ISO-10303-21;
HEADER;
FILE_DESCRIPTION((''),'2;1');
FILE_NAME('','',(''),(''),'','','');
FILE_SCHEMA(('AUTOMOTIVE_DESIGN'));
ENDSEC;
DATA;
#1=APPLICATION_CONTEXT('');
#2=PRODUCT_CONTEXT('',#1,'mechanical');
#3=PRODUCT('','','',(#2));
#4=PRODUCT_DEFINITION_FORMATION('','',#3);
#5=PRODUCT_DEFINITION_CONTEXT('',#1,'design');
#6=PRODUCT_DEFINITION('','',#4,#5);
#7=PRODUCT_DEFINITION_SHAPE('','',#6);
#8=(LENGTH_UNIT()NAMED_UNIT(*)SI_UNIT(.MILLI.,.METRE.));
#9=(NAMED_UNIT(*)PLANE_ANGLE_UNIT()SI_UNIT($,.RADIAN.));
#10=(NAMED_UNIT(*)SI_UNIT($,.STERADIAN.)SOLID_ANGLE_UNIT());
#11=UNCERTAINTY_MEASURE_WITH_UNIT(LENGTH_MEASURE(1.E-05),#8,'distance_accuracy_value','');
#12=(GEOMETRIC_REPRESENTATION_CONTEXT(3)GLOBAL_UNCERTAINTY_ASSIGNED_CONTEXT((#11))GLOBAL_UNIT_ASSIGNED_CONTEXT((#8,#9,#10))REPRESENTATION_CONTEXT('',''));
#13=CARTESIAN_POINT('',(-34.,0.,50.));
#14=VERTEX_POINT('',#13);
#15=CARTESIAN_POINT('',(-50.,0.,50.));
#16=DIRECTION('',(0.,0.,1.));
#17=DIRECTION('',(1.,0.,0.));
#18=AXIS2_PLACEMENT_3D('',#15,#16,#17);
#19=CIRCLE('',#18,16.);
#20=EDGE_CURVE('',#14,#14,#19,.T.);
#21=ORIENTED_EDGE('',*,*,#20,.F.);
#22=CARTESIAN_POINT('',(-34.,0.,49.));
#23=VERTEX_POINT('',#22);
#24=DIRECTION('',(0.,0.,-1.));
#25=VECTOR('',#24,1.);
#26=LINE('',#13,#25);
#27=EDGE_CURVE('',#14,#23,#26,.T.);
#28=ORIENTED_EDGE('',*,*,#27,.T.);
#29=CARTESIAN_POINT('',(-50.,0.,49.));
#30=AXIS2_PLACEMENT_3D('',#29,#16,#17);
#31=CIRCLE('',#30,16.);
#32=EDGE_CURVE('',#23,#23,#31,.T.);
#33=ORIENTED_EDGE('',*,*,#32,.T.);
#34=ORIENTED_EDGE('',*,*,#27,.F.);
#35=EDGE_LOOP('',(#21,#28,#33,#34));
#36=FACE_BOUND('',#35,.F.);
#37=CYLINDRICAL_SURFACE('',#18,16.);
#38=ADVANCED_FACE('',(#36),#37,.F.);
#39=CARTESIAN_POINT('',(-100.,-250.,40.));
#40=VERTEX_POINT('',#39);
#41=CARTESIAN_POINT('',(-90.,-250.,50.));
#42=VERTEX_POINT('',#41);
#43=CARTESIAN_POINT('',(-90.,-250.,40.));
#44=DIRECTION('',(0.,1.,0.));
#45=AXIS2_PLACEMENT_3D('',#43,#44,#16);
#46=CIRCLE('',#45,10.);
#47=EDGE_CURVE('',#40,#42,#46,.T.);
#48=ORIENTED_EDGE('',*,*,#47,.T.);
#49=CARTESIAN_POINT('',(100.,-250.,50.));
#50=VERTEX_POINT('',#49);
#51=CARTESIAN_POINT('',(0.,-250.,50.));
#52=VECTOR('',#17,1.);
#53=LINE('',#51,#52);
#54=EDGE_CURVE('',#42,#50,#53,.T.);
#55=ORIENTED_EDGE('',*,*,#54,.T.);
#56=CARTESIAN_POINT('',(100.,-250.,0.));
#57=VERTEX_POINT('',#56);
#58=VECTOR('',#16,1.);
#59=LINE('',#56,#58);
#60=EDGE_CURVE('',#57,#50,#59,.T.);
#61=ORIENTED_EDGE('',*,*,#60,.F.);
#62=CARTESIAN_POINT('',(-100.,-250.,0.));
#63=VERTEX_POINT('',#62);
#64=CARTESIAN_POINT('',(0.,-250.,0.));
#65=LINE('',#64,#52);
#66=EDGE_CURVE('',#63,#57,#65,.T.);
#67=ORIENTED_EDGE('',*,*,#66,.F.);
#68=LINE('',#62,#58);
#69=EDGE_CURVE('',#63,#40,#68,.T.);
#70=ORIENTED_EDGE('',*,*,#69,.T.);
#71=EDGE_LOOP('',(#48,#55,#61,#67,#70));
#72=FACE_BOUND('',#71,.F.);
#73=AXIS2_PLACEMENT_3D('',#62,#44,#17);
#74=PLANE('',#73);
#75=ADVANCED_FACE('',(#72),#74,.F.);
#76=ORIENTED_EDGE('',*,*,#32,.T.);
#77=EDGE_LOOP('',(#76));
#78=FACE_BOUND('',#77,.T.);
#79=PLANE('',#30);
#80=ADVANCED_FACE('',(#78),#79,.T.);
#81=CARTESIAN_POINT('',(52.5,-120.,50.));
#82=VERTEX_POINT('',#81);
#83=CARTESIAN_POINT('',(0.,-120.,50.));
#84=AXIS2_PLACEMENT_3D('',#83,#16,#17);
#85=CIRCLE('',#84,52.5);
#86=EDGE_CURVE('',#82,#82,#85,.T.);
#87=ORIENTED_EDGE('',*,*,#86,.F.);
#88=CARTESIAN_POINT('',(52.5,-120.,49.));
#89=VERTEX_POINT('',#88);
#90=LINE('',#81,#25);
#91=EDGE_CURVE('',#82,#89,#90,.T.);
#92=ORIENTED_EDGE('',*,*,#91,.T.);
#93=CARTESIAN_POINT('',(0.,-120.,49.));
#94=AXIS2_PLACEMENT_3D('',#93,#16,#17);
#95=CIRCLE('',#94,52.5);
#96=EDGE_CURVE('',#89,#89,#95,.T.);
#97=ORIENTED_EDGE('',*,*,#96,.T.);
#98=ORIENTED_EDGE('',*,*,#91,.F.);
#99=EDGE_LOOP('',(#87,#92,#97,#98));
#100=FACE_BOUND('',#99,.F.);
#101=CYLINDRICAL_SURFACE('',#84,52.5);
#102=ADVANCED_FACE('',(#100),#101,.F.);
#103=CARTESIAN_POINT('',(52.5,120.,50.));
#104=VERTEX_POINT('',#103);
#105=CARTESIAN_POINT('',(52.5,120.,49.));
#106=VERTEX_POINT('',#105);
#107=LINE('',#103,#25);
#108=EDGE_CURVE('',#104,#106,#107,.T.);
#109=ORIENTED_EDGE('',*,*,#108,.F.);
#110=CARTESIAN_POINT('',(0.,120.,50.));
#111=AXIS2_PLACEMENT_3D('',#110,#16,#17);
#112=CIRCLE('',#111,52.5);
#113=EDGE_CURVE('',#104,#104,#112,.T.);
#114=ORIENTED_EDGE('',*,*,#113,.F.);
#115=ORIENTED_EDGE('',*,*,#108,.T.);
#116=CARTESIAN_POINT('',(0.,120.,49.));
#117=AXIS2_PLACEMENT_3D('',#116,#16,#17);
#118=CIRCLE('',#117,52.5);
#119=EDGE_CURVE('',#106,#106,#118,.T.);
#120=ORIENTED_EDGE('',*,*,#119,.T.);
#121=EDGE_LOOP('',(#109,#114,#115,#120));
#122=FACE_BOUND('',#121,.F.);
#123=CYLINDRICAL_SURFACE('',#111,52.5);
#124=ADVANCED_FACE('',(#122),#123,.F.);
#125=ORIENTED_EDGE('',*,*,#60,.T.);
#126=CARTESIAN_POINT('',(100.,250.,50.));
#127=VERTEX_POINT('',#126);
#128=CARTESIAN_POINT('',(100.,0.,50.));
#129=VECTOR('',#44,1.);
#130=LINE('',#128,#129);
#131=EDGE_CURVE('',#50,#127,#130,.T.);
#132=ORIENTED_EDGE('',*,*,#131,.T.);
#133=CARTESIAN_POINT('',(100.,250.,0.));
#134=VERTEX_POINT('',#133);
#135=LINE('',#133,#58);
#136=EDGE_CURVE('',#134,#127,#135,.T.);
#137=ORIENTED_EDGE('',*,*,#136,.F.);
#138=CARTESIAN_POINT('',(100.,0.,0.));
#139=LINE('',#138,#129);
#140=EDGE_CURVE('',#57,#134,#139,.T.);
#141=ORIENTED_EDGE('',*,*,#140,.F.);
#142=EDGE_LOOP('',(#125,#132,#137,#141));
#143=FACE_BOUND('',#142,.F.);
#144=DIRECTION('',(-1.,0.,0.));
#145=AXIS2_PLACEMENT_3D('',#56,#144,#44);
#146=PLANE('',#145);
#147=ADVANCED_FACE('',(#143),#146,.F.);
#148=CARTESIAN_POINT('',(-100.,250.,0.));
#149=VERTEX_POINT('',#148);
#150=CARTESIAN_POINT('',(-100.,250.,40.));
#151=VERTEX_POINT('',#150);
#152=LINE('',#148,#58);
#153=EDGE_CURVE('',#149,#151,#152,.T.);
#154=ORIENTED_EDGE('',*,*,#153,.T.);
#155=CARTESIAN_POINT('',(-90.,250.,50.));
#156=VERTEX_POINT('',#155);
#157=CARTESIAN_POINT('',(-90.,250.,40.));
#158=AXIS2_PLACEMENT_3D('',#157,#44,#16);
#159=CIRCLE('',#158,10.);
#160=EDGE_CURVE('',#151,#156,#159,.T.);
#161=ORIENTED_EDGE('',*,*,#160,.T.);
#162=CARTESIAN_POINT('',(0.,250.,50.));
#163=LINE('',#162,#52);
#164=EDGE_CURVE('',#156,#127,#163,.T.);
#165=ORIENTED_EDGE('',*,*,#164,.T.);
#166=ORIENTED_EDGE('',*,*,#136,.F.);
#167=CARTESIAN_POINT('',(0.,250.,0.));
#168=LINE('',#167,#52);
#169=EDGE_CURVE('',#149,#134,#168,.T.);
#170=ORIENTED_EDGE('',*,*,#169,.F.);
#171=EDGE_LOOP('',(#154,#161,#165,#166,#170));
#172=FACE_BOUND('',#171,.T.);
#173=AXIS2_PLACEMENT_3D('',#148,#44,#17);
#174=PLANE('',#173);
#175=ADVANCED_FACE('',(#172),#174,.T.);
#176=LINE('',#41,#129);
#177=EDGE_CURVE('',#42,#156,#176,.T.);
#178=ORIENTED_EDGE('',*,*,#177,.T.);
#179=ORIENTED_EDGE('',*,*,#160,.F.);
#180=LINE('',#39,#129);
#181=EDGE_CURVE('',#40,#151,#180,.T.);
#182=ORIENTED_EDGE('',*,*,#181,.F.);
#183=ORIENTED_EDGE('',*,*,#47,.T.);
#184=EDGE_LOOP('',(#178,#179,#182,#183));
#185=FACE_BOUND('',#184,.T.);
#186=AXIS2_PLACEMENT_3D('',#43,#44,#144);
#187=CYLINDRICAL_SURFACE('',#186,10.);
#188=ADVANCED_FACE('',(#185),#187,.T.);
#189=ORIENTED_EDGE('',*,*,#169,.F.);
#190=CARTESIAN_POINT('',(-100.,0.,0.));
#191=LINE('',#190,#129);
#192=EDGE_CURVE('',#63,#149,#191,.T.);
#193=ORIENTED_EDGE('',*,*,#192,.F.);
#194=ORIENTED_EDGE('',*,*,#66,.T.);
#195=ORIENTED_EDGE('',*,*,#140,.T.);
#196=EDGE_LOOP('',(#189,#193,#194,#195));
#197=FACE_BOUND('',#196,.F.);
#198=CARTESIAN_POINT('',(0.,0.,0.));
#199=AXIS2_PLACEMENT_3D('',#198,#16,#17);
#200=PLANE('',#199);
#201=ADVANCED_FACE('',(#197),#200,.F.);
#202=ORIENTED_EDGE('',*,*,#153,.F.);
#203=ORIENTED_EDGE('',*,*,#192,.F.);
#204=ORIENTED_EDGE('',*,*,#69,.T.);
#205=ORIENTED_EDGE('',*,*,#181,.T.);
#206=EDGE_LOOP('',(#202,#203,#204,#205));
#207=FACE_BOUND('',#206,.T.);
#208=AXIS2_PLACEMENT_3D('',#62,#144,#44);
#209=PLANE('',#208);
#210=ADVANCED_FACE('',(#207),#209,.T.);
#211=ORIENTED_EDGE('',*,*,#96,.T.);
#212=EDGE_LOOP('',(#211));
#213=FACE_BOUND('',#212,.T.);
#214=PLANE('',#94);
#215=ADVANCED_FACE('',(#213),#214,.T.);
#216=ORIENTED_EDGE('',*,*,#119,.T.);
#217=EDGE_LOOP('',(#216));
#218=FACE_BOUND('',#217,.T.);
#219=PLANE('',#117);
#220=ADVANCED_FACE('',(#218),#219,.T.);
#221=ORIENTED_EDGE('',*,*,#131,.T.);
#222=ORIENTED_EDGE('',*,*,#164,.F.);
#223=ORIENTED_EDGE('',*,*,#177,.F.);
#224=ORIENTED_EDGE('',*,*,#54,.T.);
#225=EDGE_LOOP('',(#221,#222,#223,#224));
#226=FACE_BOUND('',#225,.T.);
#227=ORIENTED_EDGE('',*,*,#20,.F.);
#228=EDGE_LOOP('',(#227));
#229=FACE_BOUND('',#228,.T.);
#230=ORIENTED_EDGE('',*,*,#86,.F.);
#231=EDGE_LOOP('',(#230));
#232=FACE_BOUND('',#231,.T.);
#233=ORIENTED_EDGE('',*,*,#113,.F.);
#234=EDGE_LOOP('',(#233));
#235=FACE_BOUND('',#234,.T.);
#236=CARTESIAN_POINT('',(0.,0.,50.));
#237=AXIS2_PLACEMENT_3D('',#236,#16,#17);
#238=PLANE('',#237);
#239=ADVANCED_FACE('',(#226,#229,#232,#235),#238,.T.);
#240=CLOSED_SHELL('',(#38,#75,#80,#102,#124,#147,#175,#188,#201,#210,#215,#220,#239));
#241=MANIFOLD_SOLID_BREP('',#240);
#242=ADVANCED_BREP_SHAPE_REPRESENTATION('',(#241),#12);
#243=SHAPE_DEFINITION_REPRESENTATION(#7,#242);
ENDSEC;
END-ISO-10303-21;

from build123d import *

# Parameters (mm, degrees)
SKETCH_W      = 200
SKETCH_H      = 500
PAD_DEPTH     = 50
SKETCH001_R   = 52.5
SKETCH001_R_2 = 16
POCKET_DEPTH  = 1
FILLET_R      = 10


with BuildPart() as part:
    # Sketch (on XY_Plane of Origin) → Pad (new body)
    with BuildSketch(Plane.XY):
        Rectangle(SKETCH_W, SKETCH_H)
    extrude(amount=PAD_DEPTH)

    # Sketch001 (on Face6 of Pad) → Pocket (cut)
    with BuildSketch(Plane.XY.offset(50)):
        with Locations((0, 120)):
            Circle(SKETCH001_R)
        with Locations((0, -120)):
            Circle(SKETCH001_R)
        with Locations((-50, 0)):
            Circle(SKETCH001_R_2)
    extrude(amount=-POCKET_DEPTH, mode=Mode.SUBTRACT)

    # Fillet
    fillet_edges = [part.edges().sort_by_distance(p)[0] for p in [
        (-100, 0, 50),
    ]]
    fillet(fillet_edges, radius=FILLET_R)


solid = part.part
